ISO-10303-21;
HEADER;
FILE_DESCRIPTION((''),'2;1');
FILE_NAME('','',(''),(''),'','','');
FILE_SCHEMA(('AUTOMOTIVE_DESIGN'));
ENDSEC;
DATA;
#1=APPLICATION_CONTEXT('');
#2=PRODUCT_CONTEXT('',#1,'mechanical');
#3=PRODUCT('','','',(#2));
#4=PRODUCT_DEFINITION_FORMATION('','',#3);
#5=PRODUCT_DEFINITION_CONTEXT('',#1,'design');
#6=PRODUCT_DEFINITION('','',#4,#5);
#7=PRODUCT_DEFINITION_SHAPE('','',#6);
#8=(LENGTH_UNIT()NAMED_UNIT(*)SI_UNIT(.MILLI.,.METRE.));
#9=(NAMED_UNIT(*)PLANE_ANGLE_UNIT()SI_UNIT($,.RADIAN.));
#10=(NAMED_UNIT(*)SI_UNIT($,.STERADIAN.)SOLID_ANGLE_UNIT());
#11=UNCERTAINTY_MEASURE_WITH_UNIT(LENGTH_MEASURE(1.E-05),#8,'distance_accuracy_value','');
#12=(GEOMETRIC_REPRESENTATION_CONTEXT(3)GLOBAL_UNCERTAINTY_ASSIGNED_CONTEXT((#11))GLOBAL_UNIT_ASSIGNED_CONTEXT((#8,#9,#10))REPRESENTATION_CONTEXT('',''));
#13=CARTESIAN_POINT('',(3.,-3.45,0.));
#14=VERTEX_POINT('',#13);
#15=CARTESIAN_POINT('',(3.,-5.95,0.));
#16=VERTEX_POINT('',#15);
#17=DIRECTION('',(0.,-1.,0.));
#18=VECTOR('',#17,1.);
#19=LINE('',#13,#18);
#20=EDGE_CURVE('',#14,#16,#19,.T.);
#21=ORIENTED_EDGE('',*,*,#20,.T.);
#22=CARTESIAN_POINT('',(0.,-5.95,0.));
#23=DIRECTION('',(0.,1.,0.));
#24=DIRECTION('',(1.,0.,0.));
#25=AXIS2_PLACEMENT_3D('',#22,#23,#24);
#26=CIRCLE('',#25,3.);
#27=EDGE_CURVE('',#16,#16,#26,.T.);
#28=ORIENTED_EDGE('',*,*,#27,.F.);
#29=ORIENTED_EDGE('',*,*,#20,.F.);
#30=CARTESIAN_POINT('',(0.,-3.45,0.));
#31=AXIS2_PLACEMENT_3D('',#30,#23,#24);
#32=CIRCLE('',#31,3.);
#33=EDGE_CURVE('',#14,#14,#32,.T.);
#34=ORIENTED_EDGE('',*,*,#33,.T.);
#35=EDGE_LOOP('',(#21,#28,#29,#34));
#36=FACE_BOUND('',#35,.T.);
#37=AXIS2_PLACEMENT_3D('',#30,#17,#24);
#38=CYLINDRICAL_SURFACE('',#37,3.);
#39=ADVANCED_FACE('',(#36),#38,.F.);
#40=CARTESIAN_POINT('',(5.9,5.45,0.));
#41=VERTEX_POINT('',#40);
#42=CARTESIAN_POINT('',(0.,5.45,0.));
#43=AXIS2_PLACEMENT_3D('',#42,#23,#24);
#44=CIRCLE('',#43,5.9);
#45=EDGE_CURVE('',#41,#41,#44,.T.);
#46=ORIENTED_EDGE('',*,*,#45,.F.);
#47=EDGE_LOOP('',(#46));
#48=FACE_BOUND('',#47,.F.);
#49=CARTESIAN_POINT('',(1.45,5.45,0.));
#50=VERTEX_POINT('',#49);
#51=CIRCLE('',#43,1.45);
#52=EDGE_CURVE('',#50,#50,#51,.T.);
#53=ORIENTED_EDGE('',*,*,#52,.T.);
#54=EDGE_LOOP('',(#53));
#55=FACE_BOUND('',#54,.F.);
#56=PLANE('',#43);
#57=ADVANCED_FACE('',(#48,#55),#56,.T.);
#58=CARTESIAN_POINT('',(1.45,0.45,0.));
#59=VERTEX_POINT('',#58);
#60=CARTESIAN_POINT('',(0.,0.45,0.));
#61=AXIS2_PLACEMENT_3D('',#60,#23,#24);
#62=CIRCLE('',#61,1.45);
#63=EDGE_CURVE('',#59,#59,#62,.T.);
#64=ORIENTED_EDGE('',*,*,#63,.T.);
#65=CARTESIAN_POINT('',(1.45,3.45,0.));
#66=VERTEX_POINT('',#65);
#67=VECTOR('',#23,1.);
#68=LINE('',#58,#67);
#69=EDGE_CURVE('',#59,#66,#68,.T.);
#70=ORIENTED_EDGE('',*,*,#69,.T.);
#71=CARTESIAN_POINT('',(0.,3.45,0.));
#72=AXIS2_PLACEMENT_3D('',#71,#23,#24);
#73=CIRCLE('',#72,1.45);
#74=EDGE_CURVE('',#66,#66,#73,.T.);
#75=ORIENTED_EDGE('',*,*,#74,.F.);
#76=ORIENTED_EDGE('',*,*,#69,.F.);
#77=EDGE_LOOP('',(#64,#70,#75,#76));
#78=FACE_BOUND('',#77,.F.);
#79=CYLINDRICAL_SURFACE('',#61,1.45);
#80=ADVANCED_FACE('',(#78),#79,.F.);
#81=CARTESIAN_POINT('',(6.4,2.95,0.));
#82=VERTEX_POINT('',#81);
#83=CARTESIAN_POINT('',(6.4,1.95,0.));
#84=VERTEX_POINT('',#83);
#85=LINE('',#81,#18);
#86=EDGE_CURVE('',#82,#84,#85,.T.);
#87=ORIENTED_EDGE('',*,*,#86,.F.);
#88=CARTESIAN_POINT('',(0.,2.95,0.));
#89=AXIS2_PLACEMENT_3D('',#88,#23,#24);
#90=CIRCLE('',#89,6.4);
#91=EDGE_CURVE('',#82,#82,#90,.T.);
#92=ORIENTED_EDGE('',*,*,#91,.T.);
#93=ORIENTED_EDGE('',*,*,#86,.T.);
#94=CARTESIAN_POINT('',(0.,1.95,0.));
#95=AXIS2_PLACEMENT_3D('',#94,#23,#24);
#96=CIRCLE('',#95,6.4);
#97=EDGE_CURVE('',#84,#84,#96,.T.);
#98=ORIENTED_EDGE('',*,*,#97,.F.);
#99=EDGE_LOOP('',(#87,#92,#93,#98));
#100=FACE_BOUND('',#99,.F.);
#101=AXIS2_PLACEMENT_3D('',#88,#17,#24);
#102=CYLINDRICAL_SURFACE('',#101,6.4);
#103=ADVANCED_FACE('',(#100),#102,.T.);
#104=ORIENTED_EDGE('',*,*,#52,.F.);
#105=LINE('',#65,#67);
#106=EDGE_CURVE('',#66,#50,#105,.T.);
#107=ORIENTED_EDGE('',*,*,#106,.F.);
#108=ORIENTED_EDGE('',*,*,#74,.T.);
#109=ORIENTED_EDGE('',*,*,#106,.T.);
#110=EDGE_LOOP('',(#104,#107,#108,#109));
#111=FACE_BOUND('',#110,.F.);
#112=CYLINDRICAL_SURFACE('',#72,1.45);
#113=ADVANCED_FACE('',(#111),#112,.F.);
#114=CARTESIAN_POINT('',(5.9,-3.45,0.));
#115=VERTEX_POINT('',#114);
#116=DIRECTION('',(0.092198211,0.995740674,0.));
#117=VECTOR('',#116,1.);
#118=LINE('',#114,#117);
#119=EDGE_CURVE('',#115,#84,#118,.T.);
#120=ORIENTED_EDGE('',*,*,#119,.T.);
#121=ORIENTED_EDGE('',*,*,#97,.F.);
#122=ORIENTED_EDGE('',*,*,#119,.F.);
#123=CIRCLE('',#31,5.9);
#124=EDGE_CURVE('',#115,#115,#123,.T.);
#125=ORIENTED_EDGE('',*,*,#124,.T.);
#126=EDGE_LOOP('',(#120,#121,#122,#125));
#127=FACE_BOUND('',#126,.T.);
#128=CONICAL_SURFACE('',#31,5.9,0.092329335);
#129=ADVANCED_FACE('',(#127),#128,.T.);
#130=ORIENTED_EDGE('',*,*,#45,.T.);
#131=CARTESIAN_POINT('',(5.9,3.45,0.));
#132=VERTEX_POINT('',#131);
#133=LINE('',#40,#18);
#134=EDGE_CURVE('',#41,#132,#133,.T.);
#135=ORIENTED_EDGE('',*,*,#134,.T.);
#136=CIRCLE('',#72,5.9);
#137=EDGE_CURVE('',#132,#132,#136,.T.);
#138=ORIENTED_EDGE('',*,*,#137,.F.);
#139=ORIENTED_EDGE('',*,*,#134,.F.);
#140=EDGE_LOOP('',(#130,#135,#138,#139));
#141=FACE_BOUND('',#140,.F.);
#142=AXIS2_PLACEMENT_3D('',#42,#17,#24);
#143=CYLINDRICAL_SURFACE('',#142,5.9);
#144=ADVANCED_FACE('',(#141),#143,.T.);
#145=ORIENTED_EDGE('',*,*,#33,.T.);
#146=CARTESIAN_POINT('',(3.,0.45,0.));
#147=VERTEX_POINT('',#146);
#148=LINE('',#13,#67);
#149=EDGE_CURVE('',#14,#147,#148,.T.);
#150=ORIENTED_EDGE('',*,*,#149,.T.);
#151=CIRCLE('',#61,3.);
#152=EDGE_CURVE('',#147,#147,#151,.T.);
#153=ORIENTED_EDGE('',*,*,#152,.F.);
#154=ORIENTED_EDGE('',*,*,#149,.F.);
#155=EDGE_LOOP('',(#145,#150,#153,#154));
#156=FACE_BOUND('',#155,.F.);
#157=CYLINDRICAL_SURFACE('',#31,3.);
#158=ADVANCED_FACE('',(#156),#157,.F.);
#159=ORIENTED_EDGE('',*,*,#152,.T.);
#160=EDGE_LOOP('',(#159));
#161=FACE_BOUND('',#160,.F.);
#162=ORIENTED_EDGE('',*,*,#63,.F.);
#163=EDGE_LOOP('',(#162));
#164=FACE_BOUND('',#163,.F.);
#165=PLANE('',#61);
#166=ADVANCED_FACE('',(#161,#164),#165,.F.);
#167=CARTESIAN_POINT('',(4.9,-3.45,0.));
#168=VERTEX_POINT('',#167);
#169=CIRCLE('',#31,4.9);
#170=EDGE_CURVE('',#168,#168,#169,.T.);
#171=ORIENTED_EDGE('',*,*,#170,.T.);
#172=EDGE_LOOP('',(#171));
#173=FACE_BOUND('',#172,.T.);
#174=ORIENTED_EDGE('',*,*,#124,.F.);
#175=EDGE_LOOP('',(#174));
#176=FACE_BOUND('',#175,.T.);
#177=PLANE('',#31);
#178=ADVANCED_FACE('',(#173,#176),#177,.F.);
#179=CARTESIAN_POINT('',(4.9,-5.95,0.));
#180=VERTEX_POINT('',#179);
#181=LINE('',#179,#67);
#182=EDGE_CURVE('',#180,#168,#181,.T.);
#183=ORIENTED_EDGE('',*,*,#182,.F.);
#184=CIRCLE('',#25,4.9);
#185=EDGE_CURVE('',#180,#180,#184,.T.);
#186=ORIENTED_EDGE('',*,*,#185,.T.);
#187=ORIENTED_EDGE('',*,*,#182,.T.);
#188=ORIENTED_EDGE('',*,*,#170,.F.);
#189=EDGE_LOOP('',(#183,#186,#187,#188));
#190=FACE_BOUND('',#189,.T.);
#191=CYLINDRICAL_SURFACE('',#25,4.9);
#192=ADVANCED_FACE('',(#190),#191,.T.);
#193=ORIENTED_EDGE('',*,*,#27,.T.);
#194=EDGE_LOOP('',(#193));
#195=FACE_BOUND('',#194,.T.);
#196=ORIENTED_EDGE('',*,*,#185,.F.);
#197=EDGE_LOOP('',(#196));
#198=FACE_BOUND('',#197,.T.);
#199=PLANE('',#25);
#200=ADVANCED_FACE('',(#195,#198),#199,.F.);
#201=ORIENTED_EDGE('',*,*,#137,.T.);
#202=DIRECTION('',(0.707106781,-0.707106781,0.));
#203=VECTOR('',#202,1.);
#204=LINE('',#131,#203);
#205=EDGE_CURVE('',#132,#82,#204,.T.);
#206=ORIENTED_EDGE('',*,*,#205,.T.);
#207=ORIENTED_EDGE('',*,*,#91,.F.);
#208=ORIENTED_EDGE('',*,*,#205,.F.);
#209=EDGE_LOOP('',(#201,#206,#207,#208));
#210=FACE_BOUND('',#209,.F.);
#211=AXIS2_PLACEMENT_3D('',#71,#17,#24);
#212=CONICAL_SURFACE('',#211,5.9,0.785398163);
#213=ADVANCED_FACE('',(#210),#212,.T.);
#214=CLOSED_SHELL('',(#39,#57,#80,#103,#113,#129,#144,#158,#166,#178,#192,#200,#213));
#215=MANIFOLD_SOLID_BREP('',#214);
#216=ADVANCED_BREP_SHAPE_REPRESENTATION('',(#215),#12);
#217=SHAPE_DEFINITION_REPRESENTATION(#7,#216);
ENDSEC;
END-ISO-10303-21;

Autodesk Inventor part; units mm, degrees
ref_plane "YZ Plane" through (0, 0, 0) normal (1, 0, 0) x (0, 1, 0)
ref_plane "XZ Plane" through (0, 0, 0) normal (0, 1, 0) x (-1, 0, 0)
ref_plane "XY Plane" through (0, 0, 0) normal (0, 0, 1) x (1, 0, 0)
sketch "Sketch1" plane through (0, 0, 0) normal (0, 0, 1) x (1, 0, 0)
  line L0 (1.45, -3.45) -> (1.45, 0.45) construction
  line L1 (1.45, 3.45) -> (5.9, 3.45) construction
  line L2 (6.4, 2.95) -> (6.4, 1.95)
  line L3 (4.9, -3.45) -> (3, -3.45) construction
  line L4 (0, 0) -> (0, 3.45) construction
  line L5 (0, 3.45) -> (1.45, 3.45) construction
  line L6 (0, 0) -> (0, -3.45) construction
  line L7 (0, -3.45) -> (1.45, -3.45) construction
  line L8 (1.45, 3.45) -> (1.45, 5.45)
  line L9 (1.45, 5.45) -> (5.9, 5.45)
  line L10 (5.9, 5.45) -> (5.9, 3.45)
  line L11 (5.9, 3.45) -> (6.4, 2.95)
  line L12 (3, -3.45) -> (3, 0.45)
  line L13 (3, 0.45) -> (1.45, 0.45)
  line L14 (1.45, 0.45) -> (1.45, 3.45)
  line L15 (3, -3.45) -> (1.45, -3.45) construction
  line L16 (3, -3.45) -> (3, -5.95)
  line L17 (3, -5.95) -> (4.9, -5.95)
  line L18 (4.9, -5.95) -> (4.9, -3.45)
  line L19 (4.9, -3.45) -> (5.9, -3.45)
  line L20 (5.9, -3.45) -> (6.4, 1.95)
  dimension "d0" = 6.9
  dimension "d1" = 1.45
  dimension "d2" = 5.9
  dimension "d4" = 2
  dimension "d5" = 3
  dimension "d6" = 5
  dimension "d7" = 135
  dimension "d8" = 0.5
  dimension "d12" = 2.5
  dimension "d13" = 4.9
  dimension "d14" = 1
  dimension "d15" = 1
revolve "Revolution1" add sketch "Sketch1" angle 360 about axis through (0, 0, 0) along (0, 1, 0)
properties part number "Cablecar_spacer"
